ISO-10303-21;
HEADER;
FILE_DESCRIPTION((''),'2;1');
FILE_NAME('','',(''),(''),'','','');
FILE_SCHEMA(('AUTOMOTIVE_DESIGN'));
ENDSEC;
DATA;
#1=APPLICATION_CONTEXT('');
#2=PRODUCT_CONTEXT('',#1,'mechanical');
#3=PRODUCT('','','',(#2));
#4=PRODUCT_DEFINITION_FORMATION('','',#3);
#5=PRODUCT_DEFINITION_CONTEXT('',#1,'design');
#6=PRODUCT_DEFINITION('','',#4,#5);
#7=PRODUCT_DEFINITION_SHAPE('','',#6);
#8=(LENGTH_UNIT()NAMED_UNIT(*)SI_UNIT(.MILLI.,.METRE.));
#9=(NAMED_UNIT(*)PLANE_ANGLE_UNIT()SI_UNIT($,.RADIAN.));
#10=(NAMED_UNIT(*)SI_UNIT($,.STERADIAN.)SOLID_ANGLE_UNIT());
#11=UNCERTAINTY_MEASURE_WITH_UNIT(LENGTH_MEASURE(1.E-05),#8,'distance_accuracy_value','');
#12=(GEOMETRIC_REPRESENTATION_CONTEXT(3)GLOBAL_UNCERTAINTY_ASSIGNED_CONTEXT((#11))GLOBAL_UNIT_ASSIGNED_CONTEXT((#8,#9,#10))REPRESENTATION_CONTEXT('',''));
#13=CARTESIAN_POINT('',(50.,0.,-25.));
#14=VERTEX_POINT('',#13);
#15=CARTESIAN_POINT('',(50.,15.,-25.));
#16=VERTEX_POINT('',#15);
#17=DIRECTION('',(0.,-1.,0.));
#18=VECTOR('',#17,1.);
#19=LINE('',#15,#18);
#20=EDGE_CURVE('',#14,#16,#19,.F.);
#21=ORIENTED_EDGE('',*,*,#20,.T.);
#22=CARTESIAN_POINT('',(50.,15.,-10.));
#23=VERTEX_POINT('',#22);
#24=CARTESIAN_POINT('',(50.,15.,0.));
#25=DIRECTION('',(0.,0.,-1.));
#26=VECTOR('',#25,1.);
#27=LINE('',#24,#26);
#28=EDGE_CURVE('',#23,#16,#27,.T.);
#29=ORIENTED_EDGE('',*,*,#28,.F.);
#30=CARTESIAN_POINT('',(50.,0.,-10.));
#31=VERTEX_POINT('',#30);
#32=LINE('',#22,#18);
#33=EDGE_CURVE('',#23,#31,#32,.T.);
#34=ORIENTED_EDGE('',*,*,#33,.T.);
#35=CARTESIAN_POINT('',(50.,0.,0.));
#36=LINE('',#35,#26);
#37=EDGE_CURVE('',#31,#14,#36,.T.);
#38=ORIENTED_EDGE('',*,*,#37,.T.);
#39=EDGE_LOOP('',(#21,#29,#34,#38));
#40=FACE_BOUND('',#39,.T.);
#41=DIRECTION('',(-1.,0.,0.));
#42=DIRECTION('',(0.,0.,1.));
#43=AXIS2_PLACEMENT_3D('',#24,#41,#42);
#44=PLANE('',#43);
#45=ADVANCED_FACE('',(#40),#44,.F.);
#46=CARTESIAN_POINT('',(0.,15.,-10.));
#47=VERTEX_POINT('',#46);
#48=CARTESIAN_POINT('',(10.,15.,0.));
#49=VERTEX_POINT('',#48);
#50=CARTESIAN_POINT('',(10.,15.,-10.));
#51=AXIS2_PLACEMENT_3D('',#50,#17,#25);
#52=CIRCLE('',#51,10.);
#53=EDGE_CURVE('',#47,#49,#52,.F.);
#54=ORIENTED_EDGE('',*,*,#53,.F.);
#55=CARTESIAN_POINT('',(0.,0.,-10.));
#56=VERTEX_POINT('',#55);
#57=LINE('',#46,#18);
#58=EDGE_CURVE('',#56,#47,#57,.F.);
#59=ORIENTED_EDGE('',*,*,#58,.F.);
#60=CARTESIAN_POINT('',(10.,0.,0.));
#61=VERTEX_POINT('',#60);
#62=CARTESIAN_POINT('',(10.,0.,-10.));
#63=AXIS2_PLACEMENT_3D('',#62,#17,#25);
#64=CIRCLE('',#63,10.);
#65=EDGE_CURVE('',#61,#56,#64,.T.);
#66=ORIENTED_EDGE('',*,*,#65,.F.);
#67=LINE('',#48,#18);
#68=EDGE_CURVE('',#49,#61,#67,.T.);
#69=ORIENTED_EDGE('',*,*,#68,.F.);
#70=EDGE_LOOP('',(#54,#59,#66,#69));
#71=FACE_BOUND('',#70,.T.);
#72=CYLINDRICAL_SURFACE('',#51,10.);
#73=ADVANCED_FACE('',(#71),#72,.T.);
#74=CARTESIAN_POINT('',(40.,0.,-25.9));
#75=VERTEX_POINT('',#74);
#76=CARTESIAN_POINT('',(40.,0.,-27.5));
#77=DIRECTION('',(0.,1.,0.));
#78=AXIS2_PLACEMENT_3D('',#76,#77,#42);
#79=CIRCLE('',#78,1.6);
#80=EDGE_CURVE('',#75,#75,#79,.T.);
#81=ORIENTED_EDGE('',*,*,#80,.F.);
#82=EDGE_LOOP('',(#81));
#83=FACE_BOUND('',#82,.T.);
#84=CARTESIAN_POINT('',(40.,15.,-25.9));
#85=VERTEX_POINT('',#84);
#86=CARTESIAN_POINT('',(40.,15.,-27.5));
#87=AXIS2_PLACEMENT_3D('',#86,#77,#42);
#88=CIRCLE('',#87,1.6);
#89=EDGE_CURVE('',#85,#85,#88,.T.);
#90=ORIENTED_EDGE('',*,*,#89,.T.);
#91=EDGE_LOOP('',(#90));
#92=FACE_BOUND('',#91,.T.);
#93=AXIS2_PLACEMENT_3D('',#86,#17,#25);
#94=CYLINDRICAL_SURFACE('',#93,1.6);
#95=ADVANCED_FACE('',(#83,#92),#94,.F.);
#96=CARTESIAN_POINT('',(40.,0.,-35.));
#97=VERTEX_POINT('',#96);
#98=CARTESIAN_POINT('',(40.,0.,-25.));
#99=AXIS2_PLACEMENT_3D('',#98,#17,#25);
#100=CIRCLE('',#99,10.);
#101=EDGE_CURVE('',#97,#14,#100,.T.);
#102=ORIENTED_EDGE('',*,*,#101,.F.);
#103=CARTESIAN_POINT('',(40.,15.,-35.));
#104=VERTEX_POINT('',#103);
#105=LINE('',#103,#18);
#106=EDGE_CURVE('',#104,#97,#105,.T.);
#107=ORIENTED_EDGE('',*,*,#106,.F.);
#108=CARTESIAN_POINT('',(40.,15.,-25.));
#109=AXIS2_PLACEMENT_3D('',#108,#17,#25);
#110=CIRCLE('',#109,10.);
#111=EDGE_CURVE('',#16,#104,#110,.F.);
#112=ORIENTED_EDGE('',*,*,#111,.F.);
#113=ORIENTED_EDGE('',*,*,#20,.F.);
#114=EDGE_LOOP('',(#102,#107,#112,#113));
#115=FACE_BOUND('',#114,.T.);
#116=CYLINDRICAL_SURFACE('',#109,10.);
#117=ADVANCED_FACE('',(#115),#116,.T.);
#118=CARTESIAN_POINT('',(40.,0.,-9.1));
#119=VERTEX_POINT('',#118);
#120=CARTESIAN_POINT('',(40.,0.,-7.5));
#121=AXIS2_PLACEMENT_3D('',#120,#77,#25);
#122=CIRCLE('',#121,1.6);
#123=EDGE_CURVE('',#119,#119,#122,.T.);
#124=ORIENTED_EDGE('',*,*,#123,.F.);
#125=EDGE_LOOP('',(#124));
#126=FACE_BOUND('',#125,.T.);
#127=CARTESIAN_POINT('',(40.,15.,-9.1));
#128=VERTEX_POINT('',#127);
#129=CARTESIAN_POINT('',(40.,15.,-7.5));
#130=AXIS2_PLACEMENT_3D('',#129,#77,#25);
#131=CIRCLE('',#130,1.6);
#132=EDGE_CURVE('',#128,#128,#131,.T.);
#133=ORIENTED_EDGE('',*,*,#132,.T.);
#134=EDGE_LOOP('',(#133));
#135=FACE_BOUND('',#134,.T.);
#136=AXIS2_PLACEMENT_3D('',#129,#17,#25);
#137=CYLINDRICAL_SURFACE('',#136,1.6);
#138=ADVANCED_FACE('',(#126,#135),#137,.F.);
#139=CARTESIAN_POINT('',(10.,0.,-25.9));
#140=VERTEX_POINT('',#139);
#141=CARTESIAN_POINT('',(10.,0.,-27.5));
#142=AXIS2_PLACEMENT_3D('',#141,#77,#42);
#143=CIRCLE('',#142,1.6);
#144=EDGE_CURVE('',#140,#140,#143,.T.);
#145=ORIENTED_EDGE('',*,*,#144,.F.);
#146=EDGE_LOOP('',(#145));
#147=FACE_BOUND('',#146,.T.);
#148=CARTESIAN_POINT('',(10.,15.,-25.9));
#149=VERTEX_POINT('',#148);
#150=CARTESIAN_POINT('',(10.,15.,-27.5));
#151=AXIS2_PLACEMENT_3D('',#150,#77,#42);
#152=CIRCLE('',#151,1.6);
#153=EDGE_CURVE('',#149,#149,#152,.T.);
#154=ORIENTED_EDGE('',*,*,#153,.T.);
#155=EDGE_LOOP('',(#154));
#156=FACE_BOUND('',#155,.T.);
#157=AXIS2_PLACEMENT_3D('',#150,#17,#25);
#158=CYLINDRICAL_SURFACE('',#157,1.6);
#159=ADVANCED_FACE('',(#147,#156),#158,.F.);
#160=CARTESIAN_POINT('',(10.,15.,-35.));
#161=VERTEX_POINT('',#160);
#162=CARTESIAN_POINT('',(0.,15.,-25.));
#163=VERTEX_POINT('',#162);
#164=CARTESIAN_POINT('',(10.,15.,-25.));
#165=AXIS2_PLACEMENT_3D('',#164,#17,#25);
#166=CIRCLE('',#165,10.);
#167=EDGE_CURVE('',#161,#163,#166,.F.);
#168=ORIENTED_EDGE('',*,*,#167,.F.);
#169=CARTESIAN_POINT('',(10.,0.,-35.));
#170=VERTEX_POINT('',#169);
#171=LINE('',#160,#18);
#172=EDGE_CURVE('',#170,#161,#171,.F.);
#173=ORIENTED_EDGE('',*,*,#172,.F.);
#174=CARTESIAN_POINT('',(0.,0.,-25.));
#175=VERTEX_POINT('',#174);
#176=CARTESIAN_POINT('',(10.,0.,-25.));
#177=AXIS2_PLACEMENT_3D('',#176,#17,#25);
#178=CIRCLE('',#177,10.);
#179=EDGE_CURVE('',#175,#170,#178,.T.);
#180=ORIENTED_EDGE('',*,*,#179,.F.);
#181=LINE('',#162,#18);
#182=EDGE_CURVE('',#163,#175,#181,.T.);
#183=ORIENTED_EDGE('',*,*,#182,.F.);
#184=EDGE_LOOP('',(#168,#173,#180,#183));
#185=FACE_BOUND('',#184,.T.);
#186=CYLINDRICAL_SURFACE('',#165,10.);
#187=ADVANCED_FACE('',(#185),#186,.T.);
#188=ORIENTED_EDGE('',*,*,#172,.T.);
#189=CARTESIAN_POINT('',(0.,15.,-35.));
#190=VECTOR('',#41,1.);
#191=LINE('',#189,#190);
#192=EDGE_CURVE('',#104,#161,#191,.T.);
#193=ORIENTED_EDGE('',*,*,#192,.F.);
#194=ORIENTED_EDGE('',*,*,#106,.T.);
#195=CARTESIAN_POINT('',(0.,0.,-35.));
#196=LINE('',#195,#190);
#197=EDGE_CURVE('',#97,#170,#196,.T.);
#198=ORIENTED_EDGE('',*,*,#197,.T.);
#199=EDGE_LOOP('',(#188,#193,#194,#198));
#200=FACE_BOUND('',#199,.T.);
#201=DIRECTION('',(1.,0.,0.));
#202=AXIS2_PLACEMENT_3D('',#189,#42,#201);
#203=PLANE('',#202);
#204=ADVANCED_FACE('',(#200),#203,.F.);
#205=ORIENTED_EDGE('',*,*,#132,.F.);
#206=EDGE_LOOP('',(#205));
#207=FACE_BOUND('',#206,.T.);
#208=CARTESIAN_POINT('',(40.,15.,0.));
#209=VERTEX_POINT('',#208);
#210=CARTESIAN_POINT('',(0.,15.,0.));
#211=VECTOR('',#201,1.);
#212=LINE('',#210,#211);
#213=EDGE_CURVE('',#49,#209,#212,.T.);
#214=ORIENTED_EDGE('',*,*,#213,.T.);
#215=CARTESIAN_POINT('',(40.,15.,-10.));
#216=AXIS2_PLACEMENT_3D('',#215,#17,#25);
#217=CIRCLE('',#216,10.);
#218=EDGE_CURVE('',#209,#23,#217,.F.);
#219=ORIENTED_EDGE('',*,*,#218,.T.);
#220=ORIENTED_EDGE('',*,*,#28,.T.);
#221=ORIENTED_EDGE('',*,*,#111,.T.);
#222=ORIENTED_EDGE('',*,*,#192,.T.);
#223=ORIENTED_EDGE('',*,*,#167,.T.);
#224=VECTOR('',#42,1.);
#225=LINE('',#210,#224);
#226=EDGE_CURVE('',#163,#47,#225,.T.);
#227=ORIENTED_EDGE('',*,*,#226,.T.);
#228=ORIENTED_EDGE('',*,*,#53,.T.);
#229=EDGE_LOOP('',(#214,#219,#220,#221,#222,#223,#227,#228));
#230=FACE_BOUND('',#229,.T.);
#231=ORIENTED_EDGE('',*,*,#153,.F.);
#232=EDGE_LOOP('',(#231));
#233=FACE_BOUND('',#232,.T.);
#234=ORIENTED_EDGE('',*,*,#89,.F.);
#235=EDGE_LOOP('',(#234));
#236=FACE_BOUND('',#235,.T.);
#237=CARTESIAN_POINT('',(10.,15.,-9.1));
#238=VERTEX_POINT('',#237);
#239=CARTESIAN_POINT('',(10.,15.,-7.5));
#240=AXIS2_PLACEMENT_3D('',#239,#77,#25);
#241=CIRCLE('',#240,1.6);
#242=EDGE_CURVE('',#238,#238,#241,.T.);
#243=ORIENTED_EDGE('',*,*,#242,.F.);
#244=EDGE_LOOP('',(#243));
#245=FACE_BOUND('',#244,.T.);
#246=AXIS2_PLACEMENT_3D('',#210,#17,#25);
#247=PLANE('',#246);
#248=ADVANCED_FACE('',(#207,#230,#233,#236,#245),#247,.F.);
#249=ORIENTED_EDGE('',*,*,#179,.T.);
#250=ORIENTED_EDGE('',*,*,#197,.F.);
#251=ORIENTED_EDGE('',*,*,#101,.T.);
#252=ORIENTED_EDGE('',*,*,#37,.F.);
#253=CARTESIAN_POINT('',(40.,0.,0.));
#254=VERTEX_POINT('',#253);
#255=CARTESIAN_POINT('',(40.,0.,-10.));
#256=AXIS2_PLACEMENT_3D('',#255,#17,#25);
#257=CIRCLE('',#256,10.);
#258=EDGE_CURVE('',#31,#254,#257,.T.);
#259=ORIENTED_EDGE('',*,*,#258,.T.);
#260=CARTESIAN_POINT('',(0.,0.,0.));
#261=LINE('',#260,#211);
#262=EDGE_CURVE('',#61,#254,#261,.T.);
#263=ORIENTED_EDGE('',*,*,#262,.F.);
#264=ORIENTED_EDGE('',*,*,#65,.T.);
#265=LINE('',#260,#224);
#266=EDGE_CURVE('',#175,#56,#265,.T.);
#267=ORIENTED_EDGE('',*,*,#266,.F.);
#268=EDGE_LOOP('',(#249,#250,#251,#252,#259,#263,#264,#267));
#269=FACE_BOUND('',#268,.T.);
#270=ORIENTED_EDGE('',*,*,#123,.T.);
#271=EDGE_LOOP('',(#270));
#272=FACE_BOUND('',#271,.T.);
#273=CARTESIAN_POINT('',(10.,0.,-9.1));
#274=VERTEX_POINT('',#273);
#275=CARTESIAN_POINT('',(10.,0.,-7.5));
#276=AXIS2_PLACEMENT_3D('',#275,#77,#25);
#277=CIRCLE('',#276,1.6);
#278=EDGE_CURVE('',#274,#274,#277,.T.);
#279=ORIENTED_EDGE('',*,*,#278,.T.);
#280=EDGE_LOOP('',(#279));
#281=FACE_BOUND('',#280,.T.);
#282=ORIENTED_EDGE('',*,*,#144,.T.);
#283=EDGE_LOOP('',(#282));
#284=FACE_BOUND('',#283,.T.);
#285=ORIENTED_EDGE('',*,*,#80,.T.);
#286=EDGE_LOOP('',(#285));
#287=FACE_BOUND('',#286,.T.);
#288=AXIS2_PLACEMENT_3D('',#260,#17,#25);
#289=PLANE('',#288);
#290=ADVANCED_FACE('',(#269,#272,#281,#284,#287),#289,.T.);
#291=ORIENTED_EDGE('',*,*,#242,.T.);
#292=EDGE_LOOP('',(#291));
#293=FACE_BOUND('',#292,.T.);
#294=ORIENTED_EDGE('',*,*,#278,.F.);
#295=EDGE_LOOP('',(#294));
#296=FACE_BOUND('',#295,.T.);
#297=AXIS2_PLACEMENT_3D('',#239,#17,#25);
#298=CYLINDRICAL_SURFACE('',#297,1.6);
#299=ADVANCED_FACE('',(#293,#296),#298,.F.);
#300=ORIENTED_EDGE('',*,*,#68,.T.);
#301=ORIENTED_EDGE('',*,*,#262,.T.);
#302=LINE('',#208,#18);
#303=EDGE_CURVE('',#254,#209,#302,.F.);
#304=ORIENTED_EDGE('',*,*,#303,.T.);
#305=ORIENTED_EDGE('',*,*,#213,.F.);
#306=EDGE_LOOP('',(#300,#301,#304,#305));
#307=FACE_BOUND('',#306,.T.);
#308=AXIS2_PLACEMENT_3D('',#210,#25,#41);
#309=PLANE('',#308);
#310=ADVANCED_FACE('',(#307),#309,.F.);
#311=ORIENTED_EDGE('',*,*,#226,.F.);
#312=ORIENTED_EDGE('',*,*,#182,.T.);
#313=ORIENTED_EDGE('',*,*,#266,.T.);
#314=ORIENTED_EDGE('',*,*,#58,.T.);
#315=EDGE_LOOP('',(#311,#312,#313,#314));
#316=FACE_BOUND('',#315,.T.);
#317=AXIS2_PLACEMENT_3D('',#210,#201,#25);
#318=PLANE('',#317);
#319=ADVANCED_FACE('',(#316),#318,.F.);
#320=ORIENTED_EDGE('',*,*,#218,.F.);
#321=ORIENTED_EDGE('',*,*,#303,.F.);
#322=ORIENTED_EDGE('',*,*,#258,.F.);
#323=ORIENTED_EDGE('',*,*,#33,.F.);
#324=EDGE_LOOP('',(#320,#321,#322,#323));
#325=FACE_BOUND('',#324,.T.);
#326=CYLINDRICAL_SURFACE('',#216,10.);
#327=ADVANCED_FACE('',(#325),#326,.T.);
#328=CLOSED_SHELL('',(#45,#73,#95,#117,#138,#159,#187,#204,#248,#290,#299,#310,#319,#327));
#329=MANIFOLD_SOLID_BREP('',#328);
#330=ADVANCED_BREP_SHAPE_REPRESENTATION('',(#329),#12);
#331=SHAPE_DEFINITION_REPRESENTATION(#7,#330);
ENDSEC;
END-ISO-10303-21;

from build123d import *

# Parameters (mm, degrees)
SKETCH1_W           = 50
SKETCH1_H           = 35
SKETCH1_R           = 1.6
BOSS_EXTRUDE1_DEPTH = 15
FILLET1_R           = 10


with BuildPart() as part:
    # Sketch1 → Boss-Extrude1 (new body)
    with BuildSketch(Plane(origin=(0, 0, 0), x_dir=(1, 0, 0), z_dir=(0, 1, 0))):
        with Locations((25, 17.5)):
            Rectangle(SKETCH1_W, SKETCH1_H)
        with Locations(Location((10, 27.5, 0), (0, 0, 270))):
            Circle(SKETCH1_R, mode=Mode.SUBTRACT)
        with Locations(Location((40, 27.5, 0), (0, 0, 270))):
            Circle(SKETCH1_R, mode=Mode.SUBTRACT)
        with Locations(Location((40, 7.5, 0), (0, 0, 90))):
            Circle(SKETCH1_R, mode=Mode.SUBTRACT)
        with Locations(Location((10, 7.5, 0), (0, 0, 90))):
            Circle(SKETCH1_R, mode=Mode.SUBTRACT)
    extrude(amount=BOSS_EXTRUDE1_DEPTH)

    # Fillet1
    fillet1_edges = [part.edges().sort_by_distance(p)[0] for p in [
        (0, 7.5, -35),
        (50, 7.5, -35),
        (50, 7.5, 0),
        (0, 7.5, 0),
    ]]
    fillet(fillet1_edges, radius=FILLET1_R)


solid = part.part
